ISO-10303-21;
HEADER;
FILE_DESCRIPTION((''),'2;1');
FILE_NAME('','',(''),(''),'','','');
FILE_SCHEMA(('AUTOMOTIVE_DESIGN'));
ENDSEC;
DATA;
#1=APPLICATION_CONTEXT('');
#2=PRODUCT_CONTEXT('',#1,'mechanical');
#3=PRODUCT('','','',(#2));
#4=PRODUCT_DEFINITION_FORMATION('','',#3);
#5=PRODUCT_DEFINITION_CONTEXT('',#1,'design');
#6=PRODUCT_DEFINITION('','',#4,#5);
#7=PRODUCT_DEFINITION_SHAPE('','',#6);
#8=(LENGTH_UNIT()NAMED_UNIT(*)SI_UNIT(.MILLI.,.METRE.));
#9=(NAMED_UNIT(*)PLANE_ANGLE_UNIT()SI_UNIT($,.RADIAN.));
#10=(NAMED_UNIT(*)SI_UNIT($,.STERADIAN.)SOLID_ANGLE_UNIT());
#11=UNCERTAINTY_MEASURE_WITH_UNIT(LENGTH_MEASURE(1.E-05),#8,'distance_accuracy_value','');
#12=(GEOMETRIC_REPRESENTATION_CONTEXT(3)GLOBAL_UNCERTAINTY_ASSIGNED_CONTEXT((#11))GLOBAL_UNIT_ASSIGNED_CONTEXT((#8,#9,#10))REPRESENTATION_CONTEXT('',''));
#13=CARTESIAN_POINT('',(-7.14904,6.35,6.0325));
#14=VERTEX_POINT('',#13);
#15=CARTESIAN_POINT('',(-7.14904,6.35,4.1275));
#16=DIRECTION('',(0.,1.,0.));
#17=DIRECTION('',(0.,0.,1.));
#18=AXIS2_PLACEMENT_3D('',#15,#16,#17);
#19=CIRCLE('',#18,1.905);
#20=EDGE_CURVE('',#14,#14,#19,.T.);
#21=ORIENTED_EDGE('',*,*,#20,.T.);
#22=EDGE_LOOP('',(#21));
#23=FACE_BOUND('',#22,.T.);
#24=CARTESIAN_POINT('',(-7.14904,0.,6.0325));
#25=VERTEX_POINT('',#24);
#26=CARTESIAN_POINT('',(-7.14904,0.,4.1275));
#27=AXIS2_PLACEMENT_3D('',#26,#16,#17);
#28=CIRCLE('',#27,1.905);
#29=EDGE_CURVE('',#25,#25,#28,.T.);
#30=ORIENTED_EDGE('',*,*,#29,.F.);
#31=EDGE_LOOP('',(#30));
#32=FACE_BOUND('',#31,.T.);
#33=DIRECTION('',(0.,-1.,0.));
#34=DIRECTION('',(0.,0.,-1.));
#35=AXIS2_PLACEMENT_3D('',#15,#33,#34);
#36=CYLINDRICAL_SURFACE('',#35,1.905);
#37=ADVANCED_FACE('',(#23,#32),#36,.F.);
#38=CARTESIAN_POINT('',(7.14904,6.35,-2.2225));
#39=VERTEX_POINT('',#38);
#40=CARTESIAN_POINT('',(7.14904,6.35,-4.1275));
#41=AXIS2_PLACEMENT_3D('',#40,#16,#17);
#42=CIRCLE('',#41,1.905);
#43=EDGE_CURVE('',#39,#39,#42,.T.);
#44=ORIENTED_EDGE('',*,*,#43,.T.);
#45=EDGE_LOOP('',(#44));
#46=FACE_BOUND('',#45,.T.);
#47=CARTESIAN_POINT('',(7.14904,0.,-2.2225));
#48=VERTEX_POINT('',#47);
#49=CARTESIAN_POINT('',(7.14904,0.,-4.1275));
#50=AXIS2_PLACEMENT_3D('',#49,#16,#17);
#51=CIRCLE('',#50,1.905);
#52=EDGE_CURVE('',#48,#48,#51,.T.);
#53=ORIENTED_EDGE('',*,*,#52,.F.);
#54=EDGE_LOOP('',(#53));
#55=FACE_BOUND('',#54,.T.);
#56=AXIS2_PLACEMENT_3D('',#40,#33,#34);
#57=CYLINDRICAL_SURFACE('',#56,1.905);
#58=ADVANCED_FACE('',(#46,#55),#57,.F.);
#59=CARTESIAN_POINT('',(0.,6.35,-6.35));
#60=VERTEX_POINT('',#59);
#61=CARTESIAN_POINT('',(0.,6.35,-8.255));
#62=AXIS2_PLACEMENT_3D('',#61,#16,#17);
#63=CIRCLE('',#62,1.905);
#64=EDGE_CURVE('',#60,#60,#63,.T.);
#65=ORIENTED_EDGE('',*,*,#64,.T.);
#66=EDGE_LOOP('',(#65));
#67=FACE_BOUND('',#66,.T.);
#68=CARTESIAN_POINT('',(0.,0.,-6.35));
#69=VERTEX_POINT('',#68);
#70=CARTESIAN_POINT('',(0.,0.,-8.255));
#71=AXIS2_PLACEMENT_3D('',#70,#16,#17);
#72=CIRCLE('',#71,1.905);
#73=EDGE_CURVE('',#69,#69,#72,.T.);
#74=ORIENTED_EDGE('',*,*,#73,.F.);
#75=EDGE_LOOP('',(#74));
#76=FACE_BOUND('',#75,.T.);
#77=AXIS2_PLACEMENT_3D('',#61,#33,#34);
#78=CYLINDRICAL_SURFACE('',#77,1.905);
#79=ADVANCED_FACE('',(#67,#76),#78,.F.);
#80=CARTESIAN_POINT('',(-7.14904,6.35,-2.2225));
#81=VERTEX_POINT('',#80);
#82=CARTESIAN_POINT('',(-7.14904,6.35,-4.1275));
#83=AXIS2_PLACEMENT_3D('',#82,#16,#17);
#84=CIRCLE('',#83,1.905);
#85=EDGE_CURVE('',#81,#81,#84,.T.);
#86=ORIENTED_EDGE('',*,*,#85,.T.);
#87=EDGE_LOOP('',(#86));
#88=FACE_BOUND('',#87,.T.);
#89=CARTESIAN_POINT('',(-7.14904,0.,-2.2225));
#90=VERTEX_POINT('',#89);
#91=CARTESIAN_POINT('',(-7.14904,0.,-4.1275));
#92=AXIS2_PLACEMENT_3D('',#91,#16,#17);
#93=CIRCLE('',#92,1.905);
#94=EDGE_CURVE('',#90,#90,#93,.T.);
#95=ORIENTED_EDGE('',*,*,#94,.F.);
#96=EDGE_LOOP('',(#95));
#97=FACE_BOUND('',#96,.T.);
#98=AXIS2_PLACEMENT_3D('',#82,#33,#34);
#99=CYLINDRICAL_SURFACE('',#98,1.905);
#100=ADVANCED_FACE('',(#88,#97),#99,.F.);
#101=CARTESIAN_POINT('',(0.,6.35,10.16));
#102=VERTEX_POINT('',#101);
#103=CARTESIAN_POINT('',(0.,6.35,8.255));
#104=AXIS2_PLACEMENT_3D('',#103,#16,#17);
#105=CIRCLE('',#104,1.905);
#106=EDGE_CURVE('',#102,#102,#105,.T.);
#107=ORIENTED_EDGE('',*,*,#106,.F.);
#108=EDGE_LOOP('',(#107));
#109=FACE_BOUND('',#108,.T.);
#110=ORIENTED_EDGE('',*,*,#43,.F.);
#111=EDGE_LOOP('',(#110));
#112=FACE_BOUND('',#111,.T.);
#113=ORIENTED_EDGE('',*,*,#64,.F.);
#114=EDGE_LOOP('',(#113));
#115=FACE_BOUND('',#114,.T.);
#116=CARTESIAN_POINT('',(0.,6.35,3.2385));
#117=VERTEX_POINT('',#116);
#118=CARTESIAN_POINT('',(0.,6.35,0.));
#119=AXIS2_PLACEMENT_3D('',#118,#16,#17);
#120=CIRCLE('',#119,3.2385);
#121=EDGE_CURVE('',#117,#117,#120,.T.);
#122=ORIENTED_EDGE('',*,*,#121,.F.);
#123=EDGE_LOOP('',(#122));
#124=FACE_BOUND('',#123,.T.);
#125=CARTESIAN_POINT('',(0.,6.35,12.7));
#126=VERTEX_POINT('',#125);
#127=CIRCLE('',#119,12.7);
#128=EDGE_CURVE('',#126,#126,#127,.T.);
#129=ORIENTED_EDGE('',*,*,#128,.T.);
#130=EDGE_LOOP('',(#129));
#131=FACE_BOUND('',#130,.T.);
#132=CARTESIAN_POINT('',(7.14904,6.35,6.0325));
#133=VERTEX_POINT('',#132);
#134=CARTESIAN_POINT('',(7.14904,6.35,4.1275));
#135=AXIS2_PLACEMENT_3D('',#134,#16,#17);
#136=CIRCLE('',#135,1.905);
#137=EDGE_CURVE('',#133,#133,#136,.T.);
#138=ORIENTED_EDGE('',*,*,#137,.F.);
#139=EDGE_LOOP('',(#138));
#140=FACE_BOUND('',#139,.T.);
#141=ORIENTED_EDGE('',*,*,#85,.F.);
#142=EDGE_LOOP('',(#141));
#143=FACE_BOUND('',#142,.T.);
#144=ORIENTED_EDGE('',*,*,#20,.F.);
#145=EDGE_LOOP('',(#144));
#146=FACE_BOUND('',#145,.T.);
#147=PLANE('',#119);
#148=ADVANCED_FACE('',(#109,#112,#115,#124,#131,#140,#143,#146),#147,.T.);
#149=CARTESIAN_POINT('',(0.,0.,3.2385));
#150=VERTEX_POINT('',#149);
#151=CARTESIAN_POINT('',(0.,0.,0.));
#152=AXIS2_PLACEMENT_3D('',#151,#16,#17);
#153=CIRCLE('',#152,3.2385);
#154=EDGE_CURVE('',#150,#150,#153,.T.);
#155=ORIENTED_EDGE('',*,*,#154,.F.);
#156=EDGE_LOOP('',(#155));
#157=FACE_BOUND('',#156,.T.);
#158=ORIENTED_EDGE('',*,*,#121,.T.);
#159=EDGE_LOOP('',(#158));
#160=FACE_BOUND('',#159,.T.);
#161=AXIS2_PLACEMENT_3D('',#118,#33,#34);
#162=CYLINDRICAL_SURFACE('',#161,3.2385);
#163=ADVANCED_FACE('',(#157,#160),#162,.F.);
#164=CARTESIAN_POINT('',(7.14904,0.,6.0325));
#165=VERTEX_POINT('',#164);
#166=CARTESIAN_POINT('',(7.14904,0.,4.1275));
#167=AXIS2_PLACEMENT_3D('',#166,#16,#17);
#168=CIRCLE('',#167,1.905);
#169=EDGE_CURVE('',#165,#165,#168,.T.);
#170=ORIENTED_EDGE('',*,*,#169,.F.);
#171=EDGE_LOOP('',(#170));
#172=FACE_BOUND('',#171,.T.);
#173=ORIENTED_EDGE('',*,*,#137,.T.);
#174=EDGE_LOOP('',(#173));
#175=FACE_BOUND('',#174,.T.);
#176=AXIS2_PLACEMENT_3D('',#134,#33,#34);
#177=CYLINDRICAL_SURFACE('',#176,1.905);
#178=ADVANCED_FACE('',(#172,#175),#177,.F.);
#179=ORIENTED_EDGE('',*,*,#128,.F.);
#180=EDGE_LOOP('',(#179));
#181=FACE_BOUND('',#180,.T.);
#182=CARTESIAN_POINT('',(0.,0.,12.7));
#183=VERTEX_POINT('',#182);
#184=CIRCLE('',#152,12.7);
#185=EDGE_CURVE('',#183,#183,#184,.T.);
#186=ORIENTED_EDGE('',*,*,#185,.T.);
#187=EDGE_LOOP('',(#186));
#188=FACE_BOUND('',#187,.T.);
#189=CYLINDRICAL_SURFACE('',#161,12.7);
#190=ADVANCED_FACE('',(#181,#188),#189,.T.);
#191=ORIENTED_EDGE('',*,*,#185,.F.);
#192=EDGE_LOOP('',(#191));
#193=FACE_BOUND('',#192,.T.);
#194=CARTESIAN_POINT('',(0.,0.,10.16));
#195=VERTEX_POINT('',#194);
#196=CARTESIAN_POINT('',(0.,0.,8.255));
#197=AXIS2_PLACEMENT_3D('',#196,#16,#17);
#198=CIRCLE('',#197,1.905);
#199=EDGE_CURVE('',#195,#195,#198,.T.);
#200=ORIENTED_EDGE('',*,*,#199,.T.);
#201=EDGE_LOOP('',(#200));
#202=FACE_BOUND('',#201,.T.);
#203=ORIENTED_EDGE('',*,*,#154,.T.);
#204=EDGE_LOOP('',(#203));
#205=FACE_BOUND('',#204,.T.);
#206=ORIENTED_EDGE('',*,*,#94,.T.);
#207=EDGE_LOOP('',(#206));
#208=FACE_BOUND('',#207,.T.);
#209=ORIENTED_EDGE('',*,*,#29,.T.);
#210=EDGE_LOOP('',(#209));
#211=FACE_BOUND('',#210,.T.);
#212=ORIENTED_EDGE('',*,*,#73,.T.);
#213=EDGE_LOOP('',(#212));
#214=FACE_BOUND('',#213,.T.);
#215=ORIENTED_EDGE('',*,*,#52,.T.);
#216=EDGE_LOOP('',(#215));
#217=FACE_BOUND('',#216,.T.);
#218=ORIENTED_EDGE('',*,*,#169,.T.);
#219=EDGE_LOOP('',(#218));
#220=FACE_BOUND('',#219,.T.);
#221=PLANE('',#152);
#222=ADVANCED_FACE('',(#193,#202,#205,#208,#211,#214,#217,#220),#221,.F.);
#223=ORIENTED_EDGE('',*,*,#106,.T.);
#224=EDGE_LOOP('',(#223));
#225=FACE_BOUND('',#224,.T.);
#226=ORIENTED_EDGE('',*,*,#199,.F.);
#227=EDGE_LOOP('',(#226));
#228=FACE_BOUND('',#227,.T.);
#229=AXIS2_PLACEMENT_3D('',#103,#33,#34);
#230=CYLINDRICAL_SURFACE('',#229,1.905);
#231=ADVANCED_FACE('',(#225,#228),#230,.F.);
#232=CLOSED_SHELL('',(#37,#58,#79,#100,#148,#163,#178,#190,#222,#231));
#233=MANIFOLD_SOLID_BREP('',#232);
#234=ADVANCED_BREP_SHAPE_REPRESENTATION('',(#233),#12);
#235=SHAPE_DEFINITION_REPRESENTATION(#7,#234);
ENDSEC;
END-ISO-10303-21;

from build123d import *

# Parameters (mm, degrees)
SKETCH1_R   = 12.7
SKETCH1_R_2 = 1.905
SKETCH1_R_3 = 3.2385
BASE_DEPTH  = 6.35


with BuildPart() as part:
    # Sketch1 → base (new body)
    with BuildSketch(Plane(origin=(0, 0, 0), x_dir=(1, 0, 0), z_dir=(0, 1, 0))):
        with Locations(Location((0, 0, 0), (0, 0, 270))):
            Circle(SKETCH1_R)
        with Locations(Location((0, 8.255, 0), (0, 0, 270))):
            Circle(SKETCH1_R_2, mode=Mode.SUBTRACT)
        with Locations(Location((0, 0, 0), (0, 0, 270))):
            Circle(SKETCH1_R_3, mode=Mode.SUBTRACT)
        with Locations(Location((7.149039708, 4.1275, 0), (0, 0, 270))):
            Circle(SKETCH1_R_2, mode=Mode.SUBTRACT)
        with Locations(Location((7.149039708, -4.1275, 0), (0, 0, 270))):
            Circle(SKETCH1_R_2, mode=Mode.SUBTRACT)
        with Locations(Location((0, -8.255, 0), (0, 0, 270))):
            Circle(SKETCH1_R_2, mode=Mode.SUBTRACT)
        with Locations(Location((-7.149039708, -4.1275, 0), (0, 0, 270))):
            Circle(SKETCH1_R_2, mode=Mode.SUBTRACT)
        with Locations(Location((-7.149039708, 4.1275, 0), (0, 0, 270))):
            Circle(SKETCH1_R_2, mode=Mode.SUBTRACT)
    extrude(amount=BASE_DEPTH)


solid = part.part
